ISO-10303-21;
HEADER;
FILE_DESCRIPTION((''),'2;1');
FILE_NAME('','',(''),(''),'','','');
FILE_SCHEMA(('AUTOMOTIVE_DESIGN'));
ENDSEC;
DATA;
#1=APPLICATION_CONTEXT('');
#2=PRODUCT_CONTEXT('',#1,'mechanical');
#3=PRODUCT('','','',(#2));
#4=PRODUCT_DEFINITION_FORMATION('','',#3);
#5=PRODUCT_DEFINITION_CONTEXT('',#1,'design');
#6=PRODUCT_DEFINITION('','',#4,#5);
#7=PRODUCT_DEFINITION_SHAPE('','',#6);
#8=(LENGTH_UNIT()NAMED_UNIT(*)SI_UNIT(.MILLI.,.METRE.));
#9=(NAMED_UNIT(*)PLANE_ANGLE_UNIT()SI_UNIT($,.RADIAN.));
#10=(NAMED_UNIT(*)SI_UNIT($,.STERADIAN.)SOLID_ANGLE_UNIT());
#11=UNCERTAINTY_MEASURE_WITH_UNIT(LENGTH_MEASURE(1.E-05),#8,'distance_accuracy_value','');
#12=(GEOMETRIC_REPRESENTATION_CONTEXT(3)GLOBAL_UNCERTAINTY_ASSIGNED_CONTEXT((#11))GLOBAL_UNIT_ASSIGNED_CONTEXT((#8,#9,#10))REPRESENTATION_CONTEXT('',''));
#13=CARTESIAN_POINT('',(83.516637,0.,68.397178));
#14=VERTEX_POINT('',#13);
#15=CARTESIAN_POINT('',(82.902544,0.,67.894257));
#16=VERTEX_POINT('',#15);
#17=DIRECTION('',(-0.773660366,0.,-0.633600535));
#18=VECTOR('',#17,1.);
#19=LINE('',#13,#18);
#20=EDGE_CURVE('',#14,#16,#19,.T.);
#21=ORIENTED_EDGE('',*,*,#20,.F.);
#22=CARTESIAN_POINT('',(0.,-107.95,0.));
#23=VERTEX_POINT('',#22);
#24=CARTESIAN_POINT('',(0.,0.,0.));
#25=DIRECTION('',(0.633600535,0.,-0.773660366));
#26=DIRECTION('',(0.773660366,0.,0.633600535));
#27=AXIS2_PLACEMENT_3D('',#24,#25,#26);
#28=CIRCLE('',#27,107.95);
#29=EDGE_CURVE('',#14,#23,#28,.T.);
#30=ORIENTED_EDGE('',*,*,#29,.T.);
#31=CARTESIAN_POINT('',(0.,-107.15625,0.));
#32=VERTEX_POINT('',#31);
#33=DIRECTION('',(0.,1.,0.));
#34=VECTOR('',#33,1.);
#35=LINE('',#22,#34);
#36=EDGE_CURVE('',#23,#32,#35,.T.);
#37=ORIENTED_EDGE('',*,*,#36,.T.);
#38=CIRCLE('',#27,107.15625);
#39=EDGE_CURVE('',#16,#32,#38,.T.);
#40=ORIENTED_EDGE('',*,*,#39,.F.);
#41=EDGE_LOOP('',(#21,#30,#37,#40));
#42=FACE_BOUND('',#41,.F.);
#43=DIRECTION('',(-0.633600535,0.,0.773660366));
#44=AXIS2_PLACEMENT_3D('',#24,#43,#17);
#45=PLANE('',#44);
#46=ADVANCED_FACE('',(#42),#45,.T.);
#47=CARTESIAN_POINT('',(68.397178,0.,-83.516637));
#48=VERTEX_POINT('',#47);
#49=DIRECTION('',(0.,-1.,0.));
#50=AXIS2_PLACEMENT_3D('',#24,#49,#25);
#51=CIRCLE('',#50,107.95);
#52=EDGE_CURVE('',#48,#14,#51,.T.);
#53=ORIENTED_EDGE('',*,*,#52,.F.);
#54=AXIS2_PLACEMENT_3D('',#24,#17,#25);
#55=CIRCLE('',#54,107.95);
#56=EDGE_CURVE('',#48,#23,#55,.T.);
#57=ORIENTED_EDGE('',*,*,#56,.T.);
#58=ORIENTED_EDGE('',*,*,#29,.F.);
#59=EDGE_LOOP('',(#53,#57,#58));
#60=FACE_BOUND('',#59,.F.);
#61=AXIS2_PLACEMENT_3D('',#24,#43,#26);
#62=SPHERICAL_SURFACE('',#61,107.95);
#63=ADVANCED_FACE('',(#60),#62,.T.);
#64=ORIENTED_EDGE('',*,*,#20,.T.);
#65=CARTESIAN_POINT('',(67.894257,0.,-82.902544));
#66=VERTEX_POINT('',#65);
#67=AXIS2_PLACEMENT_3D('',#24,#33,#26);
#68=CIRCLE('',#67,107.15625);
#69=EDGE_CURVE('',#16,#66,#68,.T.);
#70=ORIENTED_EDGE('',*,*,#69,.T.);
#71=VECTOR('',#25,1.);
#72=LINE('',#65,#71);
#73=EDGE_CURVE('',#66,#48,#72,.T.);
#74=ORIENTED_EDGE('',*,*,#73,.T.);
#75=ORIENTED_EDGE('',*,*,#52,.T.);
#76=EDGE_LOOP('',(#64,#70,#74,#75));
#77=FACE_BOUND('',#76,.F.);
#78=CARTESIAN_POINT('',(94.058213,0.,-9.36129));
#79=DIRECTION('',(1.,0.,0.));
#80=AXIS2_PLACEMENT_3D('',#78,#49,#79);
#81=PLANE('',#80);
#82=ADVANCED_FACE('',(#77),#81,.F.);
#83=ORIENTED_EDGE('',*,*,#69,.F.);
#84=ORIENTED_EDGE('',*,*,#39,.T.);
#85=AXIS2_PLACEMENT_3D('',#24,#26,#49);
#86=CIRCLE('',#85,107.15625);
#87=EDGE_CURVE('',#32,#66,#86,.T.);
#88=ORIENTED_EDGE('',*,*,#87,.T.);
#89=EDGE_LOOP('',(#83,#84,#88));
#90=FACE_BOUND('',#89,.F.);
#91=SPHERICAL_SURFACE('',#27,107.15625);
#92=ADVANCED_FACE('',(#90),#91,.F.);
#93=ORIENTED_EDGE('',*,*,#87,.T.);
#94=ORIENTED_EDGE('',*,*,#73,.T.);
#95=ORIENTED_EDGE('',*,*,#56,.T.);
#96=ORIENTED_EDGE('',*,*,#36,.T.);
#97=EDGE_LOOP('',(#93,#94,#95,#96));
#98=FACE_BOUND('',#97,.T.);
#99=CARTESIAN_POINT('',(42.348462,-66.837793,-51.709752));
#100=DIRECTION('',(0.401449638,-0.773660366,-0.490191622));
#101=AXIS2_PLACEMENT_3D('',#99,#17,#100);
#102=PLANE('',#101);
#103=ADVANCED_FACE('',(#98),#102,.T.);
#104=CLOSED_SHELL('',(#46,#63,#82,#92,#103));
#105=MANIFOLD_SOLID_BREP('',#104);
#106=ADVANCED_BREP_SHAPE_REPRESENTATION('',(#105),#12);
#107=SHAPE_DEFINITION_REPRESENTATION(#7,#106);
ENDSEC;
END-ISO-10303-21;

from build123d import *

# Parameters (mm, degrees)
F1_ANGLE = 90


with BuildPart() as f1:
    # F0 (on Front) → F1 (revolve)
    with BuildSketch(Plane.XZ):
        with BuildLine():
            Line((67.8942573144, -82.9025436147), (68.397177739, -83.5166365304))
            ThreePointArc((68.397177739, -83.5166365304), (107.4192882258, -10.6910718393), (83.5166365304, 68.397177739))
            Line((83.5166365304, 68.397177739), (82.9025436147, 67.8942573144))
            ThreePointArc((82.9025436147, 67.8942573144), (106.6294405182, -10.6124610169), (67.8942573144, -82.9025436147))
        make_face()
    revolve(axis=Axis((33.9471286572, 0, -41.4512718074), (0.6336005349, 0, -0.7736603662)), revolution_arc=F1_ANGLE)


solid = f1.part
